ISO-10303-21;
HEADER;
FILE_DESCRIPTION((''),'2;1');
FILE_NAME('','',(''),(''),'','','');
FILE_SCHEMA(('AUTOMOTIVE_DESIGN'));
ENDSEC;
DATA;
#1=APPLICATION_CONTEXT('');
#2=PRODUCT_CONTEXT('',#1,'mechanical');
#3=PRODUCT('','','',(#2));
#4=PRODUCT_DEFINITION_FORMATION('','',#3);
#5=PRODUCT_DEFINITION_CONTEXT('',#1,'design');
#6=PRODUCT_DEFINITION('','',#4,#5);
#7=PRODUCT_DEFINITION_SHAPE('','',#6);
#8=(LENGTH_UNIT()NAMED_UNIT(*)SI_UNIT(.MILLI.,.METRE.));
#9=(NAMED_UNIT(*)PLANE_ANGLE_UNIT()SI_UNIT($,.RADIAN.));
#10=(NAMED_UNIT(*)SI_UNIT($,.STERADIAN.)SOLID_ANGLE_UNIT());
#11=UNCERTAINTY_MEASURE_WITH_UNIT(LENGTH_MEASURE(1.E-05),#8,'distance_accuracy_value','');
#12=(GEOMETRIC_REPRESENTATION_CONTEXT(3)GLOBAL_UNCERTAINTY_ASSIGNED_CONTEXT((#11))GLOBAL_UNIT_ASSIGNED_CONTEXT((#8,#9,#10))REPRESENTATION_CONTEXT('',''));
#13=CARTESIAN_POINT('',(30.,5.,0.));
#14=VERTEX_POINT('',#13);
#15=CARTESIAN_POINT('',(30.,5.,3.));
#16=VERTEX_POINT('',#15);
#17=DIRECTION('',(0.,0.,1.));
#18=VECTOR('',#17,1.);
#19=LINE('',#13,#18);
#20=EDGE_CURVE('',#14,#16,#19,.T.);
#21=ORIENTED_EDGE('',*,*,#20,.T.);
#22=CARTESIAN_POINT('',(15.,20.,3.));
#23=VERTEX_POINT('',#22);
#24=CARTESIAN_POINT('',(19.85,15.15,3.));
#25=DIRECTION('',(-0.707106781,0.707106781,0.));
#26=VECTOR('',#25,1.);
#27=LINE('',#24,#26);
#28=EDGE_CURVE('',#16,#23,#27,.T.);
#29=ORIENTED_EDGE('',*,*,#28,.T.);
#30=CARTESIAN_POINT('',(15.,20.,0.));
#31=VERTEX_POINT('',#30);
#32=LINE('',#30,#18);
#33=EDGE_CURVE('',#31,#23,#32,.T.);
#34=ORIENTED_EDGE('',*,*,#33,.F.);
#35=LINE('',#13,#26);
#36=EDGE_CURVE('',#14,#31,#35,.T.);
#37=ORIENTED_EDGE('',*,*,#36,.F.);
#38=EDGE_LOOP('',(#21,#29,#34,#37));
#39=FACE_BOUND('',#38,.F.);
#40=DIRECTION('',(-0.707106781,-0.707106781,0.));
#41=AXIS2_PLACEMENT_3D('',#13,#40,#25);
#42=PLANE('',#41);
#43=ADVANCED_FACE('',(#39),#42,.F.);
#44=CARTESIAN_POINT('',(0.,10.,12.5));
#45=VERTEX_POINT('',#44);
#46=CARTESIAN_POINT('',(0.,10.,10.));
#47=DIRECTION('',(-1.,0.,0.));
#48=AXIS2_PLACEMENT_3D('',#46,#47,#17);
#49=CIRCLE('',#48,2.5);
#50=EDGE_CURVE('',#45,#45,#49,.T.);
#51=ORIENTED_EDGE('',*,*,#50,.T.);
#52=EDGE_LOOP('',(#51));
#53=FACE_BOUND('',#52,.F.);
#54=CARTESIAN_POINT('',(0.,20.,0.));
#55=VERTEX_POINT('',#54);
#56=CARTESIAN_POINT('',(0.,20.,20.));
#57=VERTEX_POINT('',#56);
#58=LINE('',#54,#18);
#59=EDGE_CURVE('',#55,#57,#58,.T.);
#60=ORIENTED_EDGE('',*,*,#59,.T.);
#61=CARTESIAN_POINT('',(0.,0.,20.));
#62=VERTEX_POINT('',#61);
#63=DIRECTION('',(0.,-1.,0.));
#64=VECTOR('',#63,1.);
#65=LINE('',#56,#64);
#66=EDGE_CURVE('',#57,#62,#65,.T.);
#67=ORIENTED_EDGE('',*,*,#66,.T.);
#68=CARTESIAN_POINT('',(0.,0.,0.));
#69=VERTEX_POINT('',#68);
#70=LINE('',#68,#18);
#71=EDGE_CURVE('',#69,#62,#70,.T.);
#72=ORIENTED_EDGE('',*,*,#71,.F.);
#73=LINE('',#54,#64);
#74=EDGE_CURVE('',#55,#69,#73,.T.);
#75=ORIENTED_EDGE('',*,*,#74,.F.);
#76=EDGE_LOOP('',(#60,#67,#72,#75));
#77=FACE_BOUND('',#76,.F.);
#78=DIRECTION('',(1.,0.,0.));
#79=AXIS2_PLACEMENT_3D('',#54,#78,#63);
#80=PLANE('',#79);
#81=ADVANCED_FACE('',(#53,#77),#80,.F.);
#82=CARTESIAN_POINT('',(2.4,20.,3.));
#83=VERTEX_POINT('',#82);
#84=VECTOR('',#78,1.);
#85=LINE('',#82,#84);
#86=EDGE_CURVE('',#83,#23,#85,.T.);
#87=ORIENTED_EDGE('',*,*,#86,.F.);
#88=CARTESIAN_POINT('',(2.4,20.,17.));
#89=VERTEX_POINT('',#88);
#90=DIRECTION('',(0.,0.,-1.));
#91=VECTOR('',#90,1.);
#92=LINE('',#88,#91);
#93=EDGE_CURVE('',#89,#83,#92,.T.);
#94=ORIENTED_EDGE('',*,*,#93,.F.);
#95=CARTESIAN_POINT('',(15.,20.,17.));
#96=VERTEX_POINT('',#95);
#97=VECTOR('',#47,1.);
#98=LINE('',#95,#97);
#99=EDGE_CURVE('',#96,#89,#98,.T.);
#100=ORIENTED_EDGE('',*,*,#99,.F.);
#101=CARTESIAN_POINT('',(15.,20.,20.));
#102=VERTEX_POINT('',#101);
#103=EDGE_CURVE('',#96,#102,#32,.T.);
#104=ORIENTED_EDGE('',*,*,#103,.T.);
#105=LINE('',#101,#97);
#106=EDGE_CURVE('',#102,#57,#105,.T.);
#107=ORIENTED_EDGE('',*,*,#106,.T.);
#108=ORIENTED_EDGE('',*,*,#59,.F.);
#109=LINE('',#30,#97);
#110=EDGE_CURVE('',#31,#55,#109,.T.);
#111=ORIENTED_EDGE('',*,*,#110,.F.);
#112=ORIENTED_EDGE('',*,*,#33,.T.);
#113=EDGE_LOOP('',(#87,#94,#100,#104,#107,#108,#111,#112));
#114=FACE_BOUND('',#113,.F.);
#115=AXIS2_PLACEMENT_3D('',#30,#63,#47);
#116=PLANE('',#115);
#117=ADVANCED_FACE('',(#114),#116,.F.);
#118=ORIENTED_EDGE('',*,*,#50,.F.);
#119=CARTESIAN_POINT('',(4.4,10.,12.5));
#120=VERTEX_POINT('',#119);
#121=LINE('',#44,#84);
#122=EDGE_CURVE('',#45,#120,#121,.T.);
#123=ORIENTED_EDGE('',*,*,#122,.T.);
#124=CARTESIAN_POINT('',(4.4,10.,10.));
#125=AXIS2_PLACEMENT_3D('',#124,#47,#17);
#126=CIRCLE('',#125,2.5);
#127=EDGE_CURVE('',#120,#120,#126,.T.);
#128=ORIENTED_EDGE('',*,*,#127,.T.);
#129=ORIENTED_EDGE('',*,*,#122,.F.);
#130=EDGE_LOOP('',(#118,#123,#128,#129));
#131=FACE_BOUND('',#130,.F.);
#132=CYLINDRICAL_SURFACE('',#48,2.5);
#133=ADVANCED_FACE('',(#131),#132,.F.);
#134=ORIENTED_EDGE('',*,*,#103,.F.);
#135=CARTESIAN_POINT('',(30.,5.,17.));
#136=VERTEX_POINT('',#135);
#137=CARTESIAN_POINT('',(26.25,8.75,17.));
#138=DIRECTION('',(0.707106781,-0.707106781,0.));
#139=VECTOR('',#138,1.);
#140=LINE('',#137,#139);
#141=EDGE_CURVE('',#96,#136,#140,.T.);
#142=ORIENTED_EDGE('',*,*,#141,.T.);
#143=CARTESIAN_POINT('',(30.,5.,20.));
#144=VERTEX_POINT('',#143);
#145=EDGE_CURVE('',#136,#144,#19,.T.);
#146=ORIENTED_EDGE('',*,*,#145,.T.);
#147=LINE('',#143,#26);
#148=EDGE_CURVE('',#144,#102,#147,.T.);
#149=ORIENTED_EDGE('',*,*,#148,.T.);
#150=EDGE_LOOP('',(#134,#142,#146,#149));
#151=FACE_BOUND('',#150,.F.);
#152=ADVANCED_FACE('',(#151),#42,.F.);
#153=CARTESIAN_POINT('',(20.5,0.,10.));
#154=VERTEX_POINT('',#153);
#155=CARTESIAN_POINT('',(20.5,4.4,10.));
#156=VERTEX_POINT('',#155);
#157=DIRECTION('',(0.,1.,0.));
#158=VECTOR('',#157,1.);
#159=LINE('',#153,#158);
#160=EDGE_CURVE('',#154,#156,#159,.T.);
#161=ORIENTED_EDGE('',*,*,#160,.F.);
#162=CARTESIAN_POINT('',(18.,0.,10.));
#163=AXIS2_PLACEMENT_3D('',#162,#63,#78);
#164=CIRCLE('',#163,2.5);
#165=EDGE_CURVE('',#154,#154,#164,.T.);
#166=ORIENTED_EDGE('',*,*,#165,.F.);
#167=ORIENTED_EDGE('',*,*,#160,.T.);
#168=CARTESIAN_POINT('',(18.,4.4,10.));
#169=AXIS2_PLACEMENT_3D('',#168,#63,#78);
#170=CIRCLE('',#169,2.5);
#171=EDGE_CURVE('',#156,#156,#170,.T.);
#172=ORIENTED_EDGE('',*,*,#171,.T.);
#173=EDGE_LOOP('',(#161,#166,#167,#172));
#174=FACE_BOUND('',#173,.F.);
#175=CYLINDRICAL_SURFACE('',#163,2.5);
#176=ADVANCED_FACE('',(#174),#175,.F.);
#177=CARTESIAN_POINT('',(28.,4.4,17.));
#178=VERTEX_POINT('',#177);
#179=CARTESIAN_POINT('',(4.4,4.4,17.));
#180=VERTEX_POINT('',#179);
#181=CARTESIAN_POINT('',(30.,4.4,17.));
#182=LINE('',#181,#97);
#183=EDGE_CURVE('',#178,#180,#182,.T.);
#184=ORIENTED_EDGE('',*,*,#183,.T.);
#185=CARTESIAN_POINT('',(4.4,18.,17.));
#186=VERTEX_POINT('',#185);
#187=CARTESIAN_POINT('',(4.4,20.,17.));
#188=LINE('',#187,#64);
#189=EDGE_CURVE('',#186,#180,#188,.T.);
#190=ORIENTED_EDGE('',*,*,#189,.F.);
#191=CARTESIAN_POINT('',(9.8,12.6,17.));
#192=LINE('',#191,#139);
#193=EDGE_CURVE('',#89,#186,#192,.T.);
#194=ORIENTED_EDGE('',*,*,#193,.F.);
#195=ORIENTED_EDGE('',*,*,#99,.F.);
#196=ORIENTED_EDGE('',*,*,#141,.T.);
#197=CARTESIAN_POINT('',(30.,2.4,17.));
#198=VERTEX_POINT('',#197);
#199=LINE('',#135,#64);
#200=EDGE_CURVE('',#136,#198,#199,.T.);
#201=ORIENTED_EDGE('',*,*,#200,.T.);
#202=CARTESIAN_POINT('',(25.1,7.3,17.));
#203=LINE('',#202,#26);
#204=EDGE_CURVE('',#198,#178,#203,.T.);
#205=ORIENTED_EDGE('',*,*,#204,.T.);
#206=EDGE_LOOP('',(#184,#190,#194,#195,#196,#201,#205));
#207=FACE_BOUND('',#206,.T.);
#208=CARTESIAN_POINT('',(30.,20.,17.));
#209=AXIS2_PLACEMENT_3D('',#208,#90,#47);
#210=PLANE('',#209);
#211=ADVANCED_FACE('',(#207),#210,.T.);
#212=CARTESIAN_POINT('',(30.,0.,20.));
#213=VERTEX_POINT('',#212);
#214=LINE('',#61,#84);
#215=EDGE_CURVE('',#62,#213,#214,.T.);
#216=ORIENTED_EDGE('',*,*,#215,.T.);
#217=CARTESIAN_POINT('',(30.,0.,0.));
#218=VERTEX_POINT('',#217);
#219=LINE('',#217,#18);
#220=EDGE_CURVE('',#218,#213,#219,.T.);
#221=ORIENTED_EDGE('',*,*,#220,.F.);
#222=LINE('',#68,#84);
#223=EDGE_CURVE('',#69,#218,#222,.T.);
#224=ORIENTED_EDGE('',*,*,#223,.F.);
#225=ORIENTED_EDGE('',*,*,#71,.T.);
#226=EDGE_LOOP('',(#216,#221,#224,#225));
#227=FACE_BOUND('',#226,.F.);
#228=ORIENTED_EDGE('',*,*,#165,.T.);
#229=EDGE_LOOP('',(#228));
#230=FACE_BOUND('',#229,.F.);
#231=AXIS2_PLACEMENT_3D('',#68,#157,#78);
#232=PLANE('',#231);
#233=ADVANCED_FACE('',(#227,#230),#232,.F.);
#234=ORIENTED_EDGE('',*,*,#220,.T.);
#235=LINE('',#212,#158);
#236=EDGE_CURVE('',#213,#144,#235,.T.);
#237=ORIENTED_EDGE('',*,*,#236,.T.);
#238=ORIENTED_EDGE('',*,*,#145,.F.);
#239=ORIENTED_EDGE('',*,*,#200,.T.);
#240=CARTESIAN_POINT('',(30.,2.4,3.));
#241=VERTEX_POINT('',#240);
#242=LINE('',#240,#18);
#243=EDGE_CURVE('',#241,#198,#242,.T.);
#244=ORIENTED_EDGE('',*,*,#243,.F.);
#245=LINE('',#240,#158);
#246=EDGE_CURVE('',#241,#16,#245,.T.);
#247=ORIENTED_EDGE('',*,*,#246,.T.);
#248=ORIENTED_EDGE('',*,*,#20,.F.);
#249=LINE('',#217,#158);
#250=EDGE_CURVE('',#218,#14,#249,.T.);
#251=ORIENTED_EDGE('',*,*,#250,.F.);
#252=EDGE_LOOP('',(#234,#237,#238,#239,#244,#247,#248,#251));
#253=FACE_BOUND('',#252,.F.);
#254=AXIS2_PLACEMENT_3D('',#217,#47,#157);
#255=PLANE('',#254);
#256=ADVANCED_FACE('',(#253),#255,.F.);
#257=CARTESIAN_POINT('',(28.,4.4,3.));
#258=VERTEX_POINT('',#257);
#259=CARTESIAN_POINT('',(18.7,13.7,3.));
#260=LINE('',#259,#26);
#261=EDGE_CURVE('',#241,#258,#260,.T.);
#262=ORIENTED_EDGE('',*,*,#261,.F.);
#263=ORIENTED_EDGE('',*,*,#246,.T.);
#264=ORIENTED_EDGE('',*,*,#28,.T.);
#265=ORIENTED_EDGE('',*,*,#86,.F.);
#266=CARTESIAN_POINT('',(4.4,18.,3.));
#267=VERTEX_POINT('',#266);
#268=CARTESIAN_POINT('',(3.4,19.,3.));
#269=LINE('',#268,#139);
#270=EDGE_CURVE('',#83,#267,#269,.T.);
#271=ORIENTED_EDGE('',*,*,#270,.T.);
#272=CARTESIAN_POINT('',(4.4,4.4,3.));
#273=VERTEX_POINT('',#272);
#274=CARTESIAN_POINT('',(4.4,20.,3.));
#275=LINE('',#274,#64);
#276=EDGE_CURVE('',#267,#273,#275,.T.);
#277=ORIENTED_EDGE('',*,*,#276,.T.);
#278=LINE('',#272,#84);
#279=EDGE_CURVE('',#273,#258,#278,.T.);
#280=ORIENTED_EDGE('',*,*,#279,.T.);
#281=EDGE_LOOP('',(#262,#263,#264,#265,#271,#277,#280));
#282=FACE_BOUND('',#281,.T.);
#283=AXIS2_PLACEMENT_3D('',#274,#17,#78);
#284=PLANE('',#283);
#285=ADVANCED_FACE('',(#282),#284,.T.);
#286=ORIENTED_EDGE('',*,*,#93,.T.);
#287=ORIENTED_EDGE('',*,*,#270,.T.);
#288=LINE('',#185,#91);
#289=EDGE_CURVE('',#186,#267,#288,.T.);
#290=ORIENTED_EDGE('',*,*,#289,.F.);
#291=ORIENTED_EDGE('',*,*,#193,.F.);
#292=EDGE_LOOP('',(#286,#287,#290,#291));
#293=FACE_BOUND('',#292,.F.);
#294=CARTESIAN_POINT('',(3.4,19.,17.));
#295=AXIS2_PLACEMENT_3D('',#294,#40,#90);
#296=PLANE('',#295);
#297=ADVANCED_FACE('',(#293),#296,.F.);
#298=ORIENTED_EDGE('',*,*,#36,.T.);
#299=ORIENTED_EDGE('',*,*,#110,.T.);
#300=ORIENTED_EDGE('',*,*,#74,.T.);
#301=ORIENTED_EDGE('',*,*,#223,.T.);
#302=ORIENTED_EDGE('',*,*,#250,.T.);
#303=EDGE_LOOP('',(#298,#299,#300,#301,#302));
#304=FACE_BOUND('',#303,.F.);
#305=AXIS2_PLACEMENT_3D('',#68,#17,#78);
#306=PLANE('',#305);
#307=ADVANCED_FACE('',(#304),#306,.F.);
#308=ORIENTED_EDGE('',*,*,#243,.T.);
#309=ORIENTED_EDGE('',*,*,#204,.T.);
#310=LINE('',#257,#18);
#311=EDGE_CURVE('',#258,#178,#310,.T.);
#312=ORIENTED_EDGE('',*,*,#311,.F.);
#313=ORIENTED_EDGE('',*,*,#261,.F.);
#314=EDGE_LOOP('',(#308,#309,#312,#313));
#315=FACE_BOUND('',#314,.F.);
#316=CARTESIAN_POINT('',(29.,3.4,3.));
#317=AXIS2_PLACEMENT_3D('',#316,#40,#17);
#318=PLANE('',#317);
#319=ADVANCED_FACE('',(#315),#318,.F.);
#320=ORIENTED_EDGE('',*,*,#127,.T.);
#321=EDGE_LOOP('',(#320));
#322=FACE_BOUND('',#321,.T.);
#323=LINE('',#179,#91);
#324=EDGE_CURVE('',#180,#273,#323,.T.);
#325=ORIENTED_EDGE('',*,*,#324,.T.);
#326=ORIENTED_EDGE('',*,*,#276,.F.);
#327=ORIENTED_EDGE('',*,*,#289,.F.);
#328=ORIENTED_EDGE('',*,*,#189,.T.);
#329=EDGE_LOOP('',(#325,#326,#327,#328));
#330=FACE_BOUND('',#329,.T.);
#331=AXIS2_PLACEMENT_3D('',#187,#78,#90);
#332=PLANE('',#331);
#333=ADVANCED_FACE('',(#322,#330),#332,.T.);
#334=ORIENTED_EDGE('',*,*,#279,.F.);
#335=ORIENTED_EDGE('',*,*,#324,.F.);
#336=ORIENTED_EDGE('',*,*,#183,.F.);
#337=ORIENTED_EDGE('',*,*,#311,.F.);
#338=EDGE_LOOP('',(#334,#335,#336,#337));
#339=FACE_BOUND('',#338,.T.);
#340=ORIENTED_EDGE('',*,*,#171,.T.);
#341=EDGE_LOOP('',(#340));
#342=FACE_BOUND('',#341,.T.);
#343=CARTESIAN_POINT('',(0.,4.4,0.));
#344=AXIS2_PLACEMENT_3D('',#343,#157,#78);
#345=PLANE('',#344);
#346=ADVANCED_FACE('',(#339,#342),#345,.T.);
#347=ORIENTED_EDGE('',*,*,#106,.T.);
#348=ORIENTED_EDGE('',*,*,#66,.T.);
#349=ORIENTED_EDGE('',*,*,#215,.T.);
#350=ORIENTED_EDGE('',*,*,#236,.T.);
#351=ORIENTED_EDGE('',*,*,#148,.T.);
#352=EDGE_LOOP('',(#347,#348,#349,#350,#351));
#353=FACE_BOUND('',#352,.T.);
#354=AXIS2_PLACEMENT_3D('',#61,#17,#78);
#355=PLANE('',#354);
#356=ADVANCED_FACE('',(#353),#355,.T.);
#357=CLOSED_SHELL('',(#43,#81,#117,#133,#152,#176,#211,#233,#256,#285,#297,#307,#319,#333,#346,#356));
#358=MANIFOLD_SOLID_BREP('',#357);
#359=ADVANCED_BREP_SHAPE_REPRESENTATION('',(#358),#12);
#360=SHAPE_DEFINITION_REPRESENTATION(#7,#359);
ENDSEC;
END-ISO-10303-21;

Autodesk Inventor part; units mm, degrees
ref_plane "YZ Plane" through (0, 0, 0) normal (1, 0, 0) x (0, 1, 0)
ref_plane "XZ Plane" through (0, 0, 0) normal (0, 1, 0) x (-1, 0, 0)
ref_plane "XY Plane" through (0, 0, 0) normal (0, 0, 1) x (1, 0, 0)
sketch "スケッチ1" plane through (0, 0, 0) normal (0, 0, 1) x (1, 0, 0)
  line L0 (0, 0) -> (30, 0)
  line L1 (30, 0) -> (30, 5)
  line L2 (30, 5) -> (15, 20)
  line L3 (15, 20) -> (0, 20)
  line L4 (0, 20) -> (0, 0)
  dimension "d0" = 20
  dimension "d1" = 30
  dimension "d2" = 15
  dimension "d3" = 5
extrude "押し出し1" add sketch "スケッチ1" along normal blind 20
sketch "スケッチ2" plane through (0, 20, 0) normal (0, 1, 0) x (1, 0, 0)
  line L0 (4.4, -3) -> (30, -3)
  line L1 (30, -3) -> (30, -17)
  line L2 (30, -17) -> (4.4, -17)
  line L3 (4.4, -17) -> (4.4, -3)
  line L4 (15, 0) -> (0, 0) projected
  line L5 (15, -20) -> (0, -20) projected
  line L6 (0, 0) -> (0, -20) projected
  line L7 (30, 0) -> (30, -20) projected
  dimension "d7" = 3
  dimension "d8" = 3
  dimension "d9" = 4.4
extrude "押し出し2" cut sketch "スケッチ2" against normal blind 15.6
chamfer "面取り1" distance 2 angle 45 2 edges at (4.4, 20, 10) (30, 4.4, 10)
sketch "スケッチ3" plane through (0, 0, 0) normal (-1, 0, 0) x (0, 0, 1)
  line L0 (0, 0) -> (20, 0) construction
  line L1 (10, 0) -> (10, 20) construction
  line L2 (0, 20) -> (20, 20) construction
  line L3 (0, 5) -> (0, 20) construction
  circle A0 centre (10, 10) radius 2.5
  dimension "d15" = 5
extrude "押し出し3" cut sketch "スケッチ3" against normal through all
sketch "スケッチ4" plane through (0, 0, 0) normal (0, -1, 0) x (1, 0, 0)
  line L0 (30, 0) -> (30, 20) construction
  line L1 (30, 10) -> (0, 10) construction
  circle A0 centre (18, 10) radius 2.5
  point P0 (0, 0)
  dimension "d18" = 5
  dimension "d19" = 12
extrude "押し出し4" cut sketch "スケッチ4" against normal up to next
properties part number "ブラケット"
